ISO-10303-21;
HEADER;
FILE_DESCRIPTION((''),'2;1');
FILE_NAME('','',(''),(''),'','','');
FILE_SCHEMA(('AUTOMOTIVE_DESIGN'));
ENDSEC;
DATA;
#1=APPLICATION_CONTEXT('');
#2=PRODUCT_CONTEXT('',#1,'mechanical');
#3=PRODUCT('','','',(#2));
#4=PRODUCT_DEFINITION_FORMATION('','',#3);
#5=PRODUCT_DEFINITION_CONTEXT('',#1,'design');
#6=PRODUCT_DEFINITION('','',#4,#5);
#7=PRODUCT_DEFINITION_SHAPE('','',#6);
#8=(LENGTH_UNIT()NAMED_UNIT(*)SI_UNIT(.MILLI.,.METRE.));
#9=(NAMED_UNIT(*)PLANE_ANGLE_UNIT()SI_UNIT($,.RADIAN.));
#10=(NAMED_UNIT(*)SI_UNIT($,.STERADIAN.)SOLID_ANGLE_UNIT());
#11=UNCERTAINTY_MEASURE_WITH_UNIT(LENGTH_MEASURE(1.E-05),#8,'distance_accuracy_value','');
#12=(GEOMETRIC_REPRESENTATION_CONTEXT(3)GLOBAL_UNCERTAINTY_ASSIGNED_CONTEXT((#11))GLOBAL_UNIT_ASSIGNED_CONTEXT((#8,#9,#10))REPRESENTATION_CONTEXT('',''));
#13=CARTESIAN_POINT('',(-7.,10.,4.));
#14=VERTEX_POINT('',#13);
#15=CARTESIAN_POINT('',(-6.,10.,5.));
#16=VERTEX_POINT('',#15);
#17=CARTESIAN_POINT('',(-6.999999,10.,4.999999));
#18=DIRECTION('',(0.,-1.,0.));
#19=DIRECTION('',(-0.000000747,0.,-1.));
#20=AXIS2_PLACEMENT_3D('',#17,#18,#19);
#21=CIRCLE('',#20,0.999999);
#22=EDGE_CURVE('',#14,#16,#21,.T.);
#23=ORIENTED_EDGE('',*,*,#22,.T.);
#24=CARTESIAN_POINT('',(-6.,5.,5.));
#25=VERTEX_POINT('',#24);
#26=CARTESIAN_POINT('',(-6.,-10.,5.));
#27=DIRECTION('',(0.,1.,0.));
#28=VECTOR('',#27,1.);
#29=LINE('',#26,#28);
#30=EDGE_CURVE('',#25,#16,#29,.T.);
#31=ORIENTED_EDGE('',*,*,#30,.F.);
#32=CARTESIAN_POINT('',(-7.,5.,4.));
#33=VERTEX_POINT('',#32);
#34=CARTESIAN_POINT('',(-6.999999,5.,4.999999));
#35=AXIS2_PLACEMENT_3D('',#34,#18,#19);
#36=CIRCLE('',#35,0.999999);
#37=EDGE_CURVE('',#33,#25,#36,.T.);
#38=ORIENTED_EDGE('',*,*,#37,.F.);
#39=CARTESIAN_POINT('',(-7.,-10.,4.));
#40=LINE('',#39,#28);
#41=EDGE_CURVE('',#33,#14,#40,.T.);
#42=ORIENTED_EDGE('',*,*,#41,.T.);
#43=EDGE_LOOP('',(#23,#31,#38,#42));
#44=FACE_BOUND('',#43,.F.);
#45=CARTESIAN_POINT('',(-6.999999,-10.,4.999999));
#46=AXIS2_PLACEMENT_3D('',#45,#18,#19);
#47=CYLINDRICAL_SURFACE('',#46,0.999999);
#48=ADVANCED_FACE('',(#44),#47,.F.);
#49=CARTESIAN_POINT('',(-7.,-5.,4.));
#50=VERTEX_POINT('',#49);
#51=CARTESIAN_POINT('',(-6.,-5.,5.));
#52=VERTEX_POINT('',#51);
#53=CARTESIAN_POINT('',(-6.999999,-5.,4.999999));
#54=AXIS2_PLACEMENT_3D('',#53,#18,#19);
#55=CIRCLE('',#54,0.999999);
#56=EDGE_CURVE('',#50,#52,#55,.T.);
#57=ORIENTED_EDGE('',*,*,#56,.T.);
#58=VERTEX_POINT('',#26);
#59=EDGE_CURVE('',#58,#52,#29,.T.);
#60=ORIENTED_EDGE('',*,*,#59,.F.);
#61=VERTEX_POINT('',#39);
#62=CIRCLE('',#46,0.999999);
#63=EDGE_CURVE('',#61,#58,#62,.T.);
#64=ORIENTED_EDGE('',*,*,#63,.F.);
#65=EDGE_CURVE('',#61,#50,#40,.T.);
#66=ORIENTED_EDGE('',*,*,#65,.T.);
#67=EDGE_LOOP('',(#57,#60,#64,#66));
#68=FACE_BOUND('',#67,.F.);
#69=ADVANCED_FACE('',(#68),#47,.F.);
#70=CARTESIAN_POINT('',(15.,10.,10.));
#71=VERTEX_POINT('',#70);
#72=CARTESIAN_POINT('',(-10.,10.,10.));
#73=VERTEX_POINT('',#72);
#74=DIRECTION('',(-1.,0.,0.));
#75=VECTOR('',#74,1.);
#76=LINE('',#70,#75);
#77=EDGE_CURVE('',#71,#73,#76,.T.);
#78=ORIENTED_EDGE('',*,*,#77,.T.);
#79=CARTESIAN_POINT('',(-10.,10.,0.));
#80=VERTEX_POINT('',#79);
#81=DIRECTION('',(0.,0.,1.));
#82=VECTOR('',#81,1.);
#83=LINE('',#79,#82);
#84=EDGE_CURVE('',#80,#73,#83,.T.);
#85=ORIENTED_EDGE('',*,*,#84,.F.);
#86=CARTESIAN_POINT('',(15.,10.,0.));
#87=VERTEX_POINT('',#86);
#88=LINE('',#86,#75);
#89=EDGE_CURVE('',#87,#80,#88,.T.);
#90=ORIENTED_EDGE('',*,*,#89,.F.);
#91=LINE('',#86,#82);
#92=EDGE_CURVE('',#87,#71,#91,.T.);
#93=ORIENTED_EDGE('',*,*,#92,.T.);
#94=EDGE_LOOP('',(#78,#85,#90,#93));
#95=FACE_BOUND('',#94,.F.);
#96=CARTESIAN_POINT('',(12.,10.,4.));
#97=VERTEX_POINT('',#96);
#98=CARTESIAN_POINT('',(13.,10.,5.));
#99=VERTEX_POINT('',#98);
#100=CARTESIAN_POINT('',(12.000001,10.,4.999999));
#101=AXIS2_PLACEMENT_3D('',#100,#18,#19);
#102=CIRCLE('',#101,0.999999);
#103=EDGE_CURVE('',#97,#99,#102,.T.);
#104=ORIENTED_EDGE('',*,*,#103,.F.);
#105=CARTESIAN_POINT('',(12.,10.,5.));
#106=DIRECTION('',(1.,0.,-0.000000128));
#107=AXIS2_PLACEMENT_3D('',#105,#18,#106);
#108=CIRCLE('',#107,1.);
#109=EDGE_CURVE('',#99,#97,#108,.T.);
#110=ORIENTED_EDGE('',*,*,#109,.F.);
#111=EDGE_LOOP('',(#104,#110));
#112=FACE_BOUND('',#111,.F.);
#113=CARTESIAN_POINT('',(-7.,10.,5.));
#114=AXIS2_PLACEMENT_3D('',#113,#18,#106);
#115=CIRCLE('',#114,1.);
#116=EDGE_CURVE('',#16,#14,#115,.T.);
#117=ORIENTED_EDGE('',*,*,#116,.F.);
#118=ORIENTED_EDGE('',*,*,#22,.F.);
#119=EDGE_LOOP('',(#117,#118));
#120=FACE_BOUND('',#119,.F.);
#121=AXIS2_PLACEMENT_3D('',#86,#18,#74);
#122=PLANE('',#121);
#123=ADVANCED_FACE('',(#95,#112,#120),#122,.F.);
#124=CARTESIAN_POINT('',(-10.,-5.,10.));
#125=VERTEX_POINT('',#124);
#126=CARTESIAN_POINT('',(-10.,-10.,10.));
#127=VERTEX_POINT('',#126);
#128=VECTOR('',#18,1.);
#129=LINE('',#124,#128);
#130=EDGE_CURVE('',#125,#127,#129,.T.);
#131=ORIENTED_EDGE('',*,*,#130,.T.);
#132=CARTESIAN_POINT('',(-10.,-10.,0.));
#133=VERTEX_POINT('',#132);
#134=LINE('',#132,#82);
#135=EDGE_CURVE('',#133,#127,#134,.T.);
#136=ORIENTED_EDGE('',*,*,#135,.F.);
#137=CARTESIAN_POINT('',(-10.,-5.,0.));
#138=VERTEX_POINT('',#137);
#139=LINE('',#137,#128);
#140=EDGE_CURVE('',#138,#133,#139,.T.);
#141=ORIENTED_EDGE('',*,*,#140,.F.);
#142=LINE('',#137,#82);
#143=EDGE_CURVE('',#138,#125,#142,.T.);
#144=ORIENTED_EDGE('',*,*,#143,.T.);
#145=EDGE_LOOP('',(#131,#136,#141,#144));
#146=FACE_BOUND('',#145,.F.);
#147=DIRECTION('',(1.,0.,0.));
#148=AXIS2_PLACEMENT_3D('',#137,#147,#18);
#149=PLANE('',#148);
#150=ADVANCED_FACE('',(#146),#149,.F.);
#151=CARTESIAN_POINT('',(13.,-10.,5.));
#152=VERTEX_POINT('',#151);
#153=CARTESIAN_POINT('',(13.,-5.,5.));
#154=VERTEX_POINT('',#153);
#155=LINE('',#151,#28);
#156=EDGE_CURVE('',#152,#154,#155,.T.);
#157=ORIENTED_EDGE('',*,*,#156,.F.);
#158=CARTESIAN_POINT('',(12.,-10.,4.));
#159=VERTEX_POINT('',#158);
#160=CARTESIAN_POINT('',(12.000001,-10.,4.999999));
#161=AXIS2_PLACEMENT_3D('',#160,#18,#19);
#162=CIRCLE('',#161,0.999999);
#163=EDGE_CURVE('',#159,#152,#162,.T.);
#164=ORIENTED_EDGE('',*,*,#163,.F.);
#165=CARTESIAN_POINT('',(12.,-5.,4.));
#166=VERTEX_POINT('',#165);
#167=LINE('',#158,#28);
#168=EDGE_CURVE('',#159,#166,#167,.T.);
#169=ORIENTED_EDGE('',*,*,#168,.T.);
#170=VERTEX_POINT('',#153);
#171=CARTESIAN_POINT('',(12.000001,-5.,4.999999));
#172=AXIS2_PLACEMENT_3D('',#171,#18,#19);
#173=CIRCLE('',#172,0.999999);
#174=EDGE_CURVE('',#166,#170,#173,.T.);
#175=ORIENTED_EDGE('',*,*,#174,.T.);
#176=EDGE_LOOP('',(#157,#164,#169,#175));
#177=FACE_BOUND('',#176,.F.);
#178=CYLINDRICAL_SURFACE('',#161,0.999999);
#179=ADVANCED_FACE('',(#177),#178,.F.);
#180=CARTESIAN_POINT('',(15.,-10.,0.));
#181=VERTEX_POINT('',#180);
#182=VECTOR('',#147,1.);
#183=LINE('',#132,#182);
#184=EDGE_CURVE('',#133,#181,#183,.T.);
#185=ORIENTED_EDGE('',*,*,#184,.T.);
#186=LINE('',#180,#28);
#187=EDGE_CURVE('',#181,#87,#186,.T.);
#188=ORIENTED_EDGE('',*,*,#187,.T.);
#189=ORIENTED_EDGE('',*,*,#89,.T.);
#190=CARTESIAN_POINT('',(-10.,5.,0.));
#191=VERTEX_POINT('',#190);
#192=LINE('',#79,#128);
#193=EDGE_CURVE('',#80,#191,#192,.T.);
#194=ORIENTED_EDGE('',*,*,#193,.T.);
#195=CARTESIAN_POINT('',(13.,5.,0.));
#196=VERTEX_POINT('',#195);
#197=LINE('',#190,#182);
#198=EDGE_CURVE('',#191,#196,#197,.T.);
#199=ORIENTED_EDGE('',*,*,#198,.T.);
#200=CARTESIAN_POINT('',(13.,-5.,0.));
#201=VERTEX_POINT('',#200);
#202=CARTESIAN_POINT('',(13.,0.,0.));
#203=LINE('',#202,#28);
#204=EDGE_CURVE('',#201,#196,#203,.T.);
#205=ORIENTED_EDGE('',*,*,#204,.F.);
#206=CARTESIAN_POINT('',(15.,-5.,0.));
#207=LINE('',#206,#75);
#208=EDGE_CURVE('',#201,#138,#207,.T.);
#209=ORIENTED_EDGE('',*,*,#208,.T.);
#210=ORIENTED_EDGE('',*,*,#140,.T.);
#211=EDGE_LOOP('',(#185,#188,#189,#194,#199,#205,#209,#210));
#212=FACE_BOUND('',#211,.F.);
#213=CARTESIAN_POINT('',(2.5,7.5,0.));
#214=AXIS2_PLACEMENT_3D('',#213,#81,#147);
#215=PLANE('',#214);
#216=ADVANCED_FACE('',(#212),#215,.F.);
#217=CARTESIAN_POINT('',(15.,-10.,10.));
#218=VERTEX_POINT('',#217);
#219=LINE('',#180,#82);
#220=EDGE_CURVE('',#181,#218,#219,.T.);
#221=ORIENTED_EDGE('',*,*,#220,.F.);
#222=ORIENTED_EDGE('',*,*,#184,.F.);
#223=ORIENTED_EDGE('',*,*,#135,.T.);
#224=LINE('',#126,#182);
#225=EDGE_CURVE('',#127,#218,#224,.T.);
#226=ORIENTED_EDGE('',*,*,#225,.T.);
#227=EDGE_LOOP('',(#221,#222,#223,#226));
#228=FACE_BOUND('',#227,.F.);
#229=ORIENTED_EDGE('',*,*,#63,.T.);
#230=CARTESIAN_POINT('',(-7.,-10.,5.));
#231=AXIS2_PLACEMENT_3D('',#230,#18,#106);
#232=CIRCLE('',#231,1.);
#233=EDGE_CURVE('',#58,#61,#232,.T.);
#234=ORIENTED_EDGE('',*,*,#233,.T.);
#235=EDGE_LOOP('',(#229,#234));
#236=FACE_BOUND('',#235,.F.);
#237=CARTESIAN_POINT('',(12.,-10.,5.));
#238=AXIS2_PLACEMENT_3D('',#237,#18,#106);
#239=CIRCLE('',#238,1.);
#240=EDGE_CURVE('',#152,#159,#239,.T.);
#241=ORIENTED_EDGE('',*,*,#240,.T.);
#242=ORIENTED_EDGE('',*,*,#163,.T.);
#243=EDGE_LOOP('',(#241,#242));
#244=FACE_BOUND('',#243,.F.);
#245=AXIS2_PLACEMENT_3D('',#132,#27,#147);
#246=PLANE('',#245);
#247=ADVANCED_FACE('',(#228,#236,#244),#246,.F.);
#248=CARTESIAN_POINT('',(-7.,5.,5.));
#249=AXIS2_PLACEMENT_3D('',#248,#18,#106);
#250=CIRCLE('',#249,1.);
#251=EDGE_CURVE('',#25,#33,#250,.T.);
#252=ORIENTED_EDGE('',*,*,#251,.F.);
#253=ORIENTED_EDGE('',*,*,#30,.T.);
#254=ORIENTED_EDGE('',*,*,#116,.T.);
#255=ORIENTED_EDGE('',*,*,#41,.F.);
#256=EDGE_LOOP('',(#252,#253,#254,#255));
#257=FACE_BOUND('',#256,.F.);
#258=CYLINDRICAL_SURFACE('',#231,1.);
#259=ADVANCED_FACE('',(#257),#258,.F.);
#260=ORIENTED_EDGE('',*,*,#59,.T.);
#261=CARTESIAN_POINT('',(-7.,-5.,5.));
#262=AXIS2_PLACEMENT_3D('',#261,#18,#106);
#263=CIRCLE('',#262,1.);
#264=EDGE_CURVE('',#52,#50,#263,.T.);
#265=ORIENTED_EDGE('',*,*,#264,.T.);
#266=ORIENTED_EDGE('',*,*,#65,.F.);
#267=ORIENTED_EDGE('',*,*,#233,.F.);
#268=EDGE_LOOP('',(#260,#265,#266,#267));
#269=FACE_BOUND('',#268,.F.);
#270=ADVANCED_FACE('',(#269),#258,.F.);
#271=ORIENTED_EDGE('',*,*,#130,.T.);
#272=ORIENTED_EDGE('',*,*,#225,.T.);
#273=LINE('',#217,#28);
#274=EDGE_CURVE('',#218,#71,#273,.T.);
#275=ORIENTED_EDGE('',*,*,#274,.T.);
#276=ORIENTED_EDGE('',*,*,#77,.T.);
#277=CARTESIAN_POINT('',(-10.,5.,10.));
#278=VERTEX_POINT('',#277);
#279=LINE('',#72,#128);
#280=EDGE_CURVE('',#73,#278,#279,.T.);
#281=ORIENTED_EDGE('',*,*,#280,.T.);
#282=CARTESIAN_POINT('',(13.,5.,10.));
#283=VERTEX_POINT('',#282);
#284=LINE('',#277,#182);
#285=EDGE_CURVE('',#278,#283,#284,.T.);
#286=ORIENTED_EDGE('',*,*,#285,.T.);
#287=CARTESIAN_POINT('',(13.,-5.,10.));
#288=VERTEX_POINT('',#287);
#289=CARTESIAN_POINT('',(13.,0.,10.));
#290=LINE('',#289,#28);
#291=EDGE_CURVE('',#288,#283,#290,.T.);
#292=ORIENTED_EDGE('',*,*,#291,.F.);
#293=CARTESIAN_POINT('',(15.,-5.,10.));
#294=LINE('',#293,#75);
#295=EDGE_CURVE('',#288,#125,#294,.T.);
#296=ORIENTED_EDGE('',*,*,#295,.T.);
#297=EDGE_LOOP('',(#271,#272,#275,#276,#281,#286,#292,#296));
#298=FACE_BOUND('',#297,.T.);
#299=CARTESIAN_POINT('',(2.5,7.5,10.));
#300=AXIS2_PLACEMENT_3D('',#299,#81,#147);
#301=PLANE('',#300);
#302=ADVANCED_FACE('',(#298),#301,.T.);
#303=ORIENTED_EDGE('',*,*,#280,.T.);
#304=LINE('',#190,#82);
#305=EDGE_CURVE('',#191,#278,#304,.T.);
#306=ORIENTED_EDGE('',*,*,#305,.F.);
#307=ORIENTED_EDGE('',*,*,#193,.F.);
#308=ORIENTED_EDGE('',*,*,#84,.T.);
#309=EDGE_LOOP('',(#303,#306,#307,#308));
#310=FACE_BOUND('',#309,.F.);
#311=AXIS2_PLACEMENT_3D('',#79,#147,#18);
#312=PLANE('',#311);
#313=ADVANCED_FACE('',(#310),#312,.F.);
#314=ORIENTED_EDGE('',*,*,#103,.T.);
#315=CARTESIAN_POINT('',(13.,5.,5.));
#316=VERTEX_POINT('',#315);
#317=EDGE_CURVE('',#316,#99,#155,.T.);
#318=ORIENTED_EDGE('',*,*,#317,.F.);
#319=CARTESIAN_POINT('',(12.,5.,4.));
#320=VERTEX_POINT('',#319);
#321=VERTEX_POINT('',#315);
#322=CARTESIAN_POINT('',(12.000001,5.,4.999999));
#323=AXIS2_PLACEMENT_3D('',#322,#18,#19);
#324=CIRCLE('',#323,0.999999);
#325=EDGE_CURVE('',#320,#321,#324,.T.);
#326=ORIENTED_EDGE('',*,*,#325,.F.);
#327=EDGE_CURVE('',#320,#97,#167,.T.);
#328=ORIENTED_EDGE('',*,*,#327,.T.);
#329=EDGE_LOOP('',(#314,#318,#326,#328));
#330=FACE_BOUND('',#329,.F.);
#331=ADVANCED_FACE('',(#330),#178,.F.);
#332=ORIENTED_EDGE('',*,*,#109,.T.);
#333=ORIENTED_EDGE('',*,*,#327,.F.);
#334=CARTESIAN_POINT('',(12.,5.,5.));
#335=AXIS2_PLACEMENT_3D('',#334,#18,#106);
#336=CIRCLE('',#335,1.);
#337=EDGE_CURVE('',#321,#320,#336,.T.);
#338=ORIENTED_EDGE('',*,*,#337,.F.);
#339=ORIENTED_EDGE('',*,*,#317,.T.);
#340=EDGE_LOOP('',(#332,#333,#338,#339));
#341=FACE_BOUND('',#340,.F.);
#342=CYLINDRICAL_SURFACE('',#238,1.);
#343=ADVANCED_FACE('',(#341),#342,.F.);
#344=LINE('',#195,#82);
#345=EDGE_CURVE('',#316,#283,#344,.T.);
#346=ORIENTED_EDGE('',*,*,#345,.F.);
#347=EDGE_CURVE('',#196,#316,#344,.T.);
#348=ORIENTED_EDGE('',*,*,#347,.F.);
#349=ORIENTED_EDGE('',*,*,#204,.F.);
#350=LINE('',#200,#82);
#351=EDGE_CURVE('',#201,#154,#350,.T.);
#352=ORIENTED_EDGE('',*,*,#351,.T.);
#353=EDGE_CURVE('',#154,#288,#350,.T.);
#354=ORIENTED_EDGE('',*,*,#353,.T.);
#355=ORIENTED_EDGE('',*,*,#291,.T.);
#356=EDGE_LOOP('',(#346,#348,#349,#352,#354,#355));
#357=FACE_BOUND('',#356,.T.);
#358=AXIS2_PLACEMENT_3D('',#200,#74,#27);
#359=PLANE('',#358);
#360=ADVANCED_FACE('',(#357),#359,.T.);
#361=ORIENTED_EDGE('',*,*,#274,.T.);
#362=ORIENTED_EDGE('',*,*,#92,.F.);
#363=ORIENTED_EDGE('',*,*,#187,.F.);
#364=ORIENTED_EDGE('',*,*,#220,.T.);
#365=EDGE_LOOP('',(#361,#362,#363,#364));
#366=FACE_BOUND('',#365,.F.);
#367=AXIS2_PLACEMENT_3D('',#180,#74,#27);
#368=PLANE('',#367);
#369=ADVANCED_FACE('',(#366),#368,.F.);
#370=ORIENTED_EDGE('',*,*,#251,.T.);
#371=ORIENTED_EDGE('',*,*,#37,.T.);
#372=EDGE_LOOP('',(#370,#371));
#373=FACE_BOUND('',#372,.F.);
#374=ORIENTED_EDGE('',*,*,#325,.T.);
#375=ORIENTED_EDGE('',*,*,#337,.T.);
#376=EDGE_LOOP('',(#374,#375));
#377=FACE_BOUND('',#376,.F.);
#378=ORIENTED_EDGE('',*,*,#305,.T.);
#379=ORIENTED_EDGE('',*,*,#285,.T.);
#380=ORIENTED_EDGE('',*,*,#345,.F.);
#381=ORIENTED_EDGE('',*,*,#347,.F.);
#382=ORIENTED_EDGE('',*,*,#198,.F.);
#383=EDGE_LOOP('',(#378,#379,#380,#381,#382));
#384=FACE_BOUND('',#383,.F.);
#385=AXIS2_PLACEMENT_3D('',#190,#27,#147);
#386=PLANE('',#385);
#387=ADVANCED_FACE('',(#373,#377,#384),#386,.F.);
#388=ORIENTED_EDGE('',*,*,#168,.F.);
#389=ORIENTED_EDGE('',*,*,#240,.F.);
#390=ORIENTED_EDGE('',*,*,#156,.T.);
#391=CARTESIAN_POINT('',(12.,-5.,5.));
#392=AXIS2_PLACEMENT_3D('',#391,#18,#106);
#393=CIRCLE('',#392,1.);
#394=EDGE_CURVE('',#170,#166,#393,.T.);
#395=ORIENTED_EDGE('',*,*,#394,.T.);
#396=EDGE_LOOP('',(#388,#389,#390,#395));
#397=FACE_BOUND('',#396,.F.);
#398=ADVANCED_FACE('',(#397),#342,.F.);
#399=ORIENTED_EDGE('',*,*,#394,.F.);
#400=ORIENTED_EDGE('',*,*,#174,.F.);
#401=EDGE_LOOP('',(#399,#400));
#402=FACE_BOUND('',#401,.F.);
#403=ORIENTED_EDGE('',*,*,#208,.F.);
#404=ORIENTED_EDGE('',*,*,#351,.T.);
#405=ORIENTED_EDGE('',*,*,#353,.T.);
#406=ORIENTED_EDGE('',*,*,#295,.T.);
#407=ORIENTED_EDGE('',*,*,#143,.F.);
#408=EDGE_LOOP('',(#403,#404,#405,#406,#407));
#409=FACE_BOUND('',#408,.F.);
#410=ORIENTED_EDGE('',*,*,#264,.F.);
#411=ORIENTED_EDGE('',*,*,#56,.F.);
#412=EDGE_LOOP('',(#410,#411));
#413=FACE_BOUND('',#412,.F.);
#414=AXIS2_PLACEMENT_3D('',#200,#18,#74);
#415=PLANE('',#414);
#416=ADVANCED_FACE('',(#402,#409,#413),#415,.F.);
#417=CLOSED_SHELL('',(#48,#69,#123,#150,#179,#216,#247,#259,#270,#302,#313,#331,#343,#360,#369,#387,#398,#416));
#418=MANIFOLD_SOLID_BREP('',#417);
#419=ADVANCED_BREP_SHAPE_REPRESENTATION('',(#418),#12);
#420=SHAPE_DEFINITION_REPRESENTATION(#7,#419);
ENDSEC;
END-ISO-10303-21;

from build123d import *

# Parameters (mm, degrees)
F0_W     = 2
F0_H     = 10
F1_DEPTH = 10
F3_DEPTH = 20


with BuildPart() as f1:
    # F0 (on Top) → F1 (new body)
    with BuildSketch(Plane.XY):
        Polygon((-1, 5), (0, 5), (1, 5), (13, 5), (15, 5), (15, 10), (-10, 10), (-10, 5), align=None)
        Polygon((1, -5), (0, -5), (-1, -5), (-10, -5), (-10, -10), (15, -10), (15, -5), (13, -5), align=None)
        with Locations((14, 0)):
            Rectangle(F0_W, F0_H)
    extrude(amount=F1_DEPTH)

    # F2 (on face) → F3 (cut)
    with BuildSketch(Plane.XZ.offset(10)):
        with BuildLine():
            ThreePointArc((12, 4), (12.707107, 4.292893), (13, 5))
            ThreePointArc((13, 5), (11.292893, 5.707107), (12, 4))
        make_face()
        with BuildLine():
            ThreePointArc((-7, 4), (-6.292893, 4.292893), (-6, 5))
            ThreePointArc((-6, 5), (-7.707107, 5.707107), (-7, 4))
        make_face()
    extrude(amount=-F3_DEPTH, mode=Mode.SUBTRACT)


solid = f1.part
